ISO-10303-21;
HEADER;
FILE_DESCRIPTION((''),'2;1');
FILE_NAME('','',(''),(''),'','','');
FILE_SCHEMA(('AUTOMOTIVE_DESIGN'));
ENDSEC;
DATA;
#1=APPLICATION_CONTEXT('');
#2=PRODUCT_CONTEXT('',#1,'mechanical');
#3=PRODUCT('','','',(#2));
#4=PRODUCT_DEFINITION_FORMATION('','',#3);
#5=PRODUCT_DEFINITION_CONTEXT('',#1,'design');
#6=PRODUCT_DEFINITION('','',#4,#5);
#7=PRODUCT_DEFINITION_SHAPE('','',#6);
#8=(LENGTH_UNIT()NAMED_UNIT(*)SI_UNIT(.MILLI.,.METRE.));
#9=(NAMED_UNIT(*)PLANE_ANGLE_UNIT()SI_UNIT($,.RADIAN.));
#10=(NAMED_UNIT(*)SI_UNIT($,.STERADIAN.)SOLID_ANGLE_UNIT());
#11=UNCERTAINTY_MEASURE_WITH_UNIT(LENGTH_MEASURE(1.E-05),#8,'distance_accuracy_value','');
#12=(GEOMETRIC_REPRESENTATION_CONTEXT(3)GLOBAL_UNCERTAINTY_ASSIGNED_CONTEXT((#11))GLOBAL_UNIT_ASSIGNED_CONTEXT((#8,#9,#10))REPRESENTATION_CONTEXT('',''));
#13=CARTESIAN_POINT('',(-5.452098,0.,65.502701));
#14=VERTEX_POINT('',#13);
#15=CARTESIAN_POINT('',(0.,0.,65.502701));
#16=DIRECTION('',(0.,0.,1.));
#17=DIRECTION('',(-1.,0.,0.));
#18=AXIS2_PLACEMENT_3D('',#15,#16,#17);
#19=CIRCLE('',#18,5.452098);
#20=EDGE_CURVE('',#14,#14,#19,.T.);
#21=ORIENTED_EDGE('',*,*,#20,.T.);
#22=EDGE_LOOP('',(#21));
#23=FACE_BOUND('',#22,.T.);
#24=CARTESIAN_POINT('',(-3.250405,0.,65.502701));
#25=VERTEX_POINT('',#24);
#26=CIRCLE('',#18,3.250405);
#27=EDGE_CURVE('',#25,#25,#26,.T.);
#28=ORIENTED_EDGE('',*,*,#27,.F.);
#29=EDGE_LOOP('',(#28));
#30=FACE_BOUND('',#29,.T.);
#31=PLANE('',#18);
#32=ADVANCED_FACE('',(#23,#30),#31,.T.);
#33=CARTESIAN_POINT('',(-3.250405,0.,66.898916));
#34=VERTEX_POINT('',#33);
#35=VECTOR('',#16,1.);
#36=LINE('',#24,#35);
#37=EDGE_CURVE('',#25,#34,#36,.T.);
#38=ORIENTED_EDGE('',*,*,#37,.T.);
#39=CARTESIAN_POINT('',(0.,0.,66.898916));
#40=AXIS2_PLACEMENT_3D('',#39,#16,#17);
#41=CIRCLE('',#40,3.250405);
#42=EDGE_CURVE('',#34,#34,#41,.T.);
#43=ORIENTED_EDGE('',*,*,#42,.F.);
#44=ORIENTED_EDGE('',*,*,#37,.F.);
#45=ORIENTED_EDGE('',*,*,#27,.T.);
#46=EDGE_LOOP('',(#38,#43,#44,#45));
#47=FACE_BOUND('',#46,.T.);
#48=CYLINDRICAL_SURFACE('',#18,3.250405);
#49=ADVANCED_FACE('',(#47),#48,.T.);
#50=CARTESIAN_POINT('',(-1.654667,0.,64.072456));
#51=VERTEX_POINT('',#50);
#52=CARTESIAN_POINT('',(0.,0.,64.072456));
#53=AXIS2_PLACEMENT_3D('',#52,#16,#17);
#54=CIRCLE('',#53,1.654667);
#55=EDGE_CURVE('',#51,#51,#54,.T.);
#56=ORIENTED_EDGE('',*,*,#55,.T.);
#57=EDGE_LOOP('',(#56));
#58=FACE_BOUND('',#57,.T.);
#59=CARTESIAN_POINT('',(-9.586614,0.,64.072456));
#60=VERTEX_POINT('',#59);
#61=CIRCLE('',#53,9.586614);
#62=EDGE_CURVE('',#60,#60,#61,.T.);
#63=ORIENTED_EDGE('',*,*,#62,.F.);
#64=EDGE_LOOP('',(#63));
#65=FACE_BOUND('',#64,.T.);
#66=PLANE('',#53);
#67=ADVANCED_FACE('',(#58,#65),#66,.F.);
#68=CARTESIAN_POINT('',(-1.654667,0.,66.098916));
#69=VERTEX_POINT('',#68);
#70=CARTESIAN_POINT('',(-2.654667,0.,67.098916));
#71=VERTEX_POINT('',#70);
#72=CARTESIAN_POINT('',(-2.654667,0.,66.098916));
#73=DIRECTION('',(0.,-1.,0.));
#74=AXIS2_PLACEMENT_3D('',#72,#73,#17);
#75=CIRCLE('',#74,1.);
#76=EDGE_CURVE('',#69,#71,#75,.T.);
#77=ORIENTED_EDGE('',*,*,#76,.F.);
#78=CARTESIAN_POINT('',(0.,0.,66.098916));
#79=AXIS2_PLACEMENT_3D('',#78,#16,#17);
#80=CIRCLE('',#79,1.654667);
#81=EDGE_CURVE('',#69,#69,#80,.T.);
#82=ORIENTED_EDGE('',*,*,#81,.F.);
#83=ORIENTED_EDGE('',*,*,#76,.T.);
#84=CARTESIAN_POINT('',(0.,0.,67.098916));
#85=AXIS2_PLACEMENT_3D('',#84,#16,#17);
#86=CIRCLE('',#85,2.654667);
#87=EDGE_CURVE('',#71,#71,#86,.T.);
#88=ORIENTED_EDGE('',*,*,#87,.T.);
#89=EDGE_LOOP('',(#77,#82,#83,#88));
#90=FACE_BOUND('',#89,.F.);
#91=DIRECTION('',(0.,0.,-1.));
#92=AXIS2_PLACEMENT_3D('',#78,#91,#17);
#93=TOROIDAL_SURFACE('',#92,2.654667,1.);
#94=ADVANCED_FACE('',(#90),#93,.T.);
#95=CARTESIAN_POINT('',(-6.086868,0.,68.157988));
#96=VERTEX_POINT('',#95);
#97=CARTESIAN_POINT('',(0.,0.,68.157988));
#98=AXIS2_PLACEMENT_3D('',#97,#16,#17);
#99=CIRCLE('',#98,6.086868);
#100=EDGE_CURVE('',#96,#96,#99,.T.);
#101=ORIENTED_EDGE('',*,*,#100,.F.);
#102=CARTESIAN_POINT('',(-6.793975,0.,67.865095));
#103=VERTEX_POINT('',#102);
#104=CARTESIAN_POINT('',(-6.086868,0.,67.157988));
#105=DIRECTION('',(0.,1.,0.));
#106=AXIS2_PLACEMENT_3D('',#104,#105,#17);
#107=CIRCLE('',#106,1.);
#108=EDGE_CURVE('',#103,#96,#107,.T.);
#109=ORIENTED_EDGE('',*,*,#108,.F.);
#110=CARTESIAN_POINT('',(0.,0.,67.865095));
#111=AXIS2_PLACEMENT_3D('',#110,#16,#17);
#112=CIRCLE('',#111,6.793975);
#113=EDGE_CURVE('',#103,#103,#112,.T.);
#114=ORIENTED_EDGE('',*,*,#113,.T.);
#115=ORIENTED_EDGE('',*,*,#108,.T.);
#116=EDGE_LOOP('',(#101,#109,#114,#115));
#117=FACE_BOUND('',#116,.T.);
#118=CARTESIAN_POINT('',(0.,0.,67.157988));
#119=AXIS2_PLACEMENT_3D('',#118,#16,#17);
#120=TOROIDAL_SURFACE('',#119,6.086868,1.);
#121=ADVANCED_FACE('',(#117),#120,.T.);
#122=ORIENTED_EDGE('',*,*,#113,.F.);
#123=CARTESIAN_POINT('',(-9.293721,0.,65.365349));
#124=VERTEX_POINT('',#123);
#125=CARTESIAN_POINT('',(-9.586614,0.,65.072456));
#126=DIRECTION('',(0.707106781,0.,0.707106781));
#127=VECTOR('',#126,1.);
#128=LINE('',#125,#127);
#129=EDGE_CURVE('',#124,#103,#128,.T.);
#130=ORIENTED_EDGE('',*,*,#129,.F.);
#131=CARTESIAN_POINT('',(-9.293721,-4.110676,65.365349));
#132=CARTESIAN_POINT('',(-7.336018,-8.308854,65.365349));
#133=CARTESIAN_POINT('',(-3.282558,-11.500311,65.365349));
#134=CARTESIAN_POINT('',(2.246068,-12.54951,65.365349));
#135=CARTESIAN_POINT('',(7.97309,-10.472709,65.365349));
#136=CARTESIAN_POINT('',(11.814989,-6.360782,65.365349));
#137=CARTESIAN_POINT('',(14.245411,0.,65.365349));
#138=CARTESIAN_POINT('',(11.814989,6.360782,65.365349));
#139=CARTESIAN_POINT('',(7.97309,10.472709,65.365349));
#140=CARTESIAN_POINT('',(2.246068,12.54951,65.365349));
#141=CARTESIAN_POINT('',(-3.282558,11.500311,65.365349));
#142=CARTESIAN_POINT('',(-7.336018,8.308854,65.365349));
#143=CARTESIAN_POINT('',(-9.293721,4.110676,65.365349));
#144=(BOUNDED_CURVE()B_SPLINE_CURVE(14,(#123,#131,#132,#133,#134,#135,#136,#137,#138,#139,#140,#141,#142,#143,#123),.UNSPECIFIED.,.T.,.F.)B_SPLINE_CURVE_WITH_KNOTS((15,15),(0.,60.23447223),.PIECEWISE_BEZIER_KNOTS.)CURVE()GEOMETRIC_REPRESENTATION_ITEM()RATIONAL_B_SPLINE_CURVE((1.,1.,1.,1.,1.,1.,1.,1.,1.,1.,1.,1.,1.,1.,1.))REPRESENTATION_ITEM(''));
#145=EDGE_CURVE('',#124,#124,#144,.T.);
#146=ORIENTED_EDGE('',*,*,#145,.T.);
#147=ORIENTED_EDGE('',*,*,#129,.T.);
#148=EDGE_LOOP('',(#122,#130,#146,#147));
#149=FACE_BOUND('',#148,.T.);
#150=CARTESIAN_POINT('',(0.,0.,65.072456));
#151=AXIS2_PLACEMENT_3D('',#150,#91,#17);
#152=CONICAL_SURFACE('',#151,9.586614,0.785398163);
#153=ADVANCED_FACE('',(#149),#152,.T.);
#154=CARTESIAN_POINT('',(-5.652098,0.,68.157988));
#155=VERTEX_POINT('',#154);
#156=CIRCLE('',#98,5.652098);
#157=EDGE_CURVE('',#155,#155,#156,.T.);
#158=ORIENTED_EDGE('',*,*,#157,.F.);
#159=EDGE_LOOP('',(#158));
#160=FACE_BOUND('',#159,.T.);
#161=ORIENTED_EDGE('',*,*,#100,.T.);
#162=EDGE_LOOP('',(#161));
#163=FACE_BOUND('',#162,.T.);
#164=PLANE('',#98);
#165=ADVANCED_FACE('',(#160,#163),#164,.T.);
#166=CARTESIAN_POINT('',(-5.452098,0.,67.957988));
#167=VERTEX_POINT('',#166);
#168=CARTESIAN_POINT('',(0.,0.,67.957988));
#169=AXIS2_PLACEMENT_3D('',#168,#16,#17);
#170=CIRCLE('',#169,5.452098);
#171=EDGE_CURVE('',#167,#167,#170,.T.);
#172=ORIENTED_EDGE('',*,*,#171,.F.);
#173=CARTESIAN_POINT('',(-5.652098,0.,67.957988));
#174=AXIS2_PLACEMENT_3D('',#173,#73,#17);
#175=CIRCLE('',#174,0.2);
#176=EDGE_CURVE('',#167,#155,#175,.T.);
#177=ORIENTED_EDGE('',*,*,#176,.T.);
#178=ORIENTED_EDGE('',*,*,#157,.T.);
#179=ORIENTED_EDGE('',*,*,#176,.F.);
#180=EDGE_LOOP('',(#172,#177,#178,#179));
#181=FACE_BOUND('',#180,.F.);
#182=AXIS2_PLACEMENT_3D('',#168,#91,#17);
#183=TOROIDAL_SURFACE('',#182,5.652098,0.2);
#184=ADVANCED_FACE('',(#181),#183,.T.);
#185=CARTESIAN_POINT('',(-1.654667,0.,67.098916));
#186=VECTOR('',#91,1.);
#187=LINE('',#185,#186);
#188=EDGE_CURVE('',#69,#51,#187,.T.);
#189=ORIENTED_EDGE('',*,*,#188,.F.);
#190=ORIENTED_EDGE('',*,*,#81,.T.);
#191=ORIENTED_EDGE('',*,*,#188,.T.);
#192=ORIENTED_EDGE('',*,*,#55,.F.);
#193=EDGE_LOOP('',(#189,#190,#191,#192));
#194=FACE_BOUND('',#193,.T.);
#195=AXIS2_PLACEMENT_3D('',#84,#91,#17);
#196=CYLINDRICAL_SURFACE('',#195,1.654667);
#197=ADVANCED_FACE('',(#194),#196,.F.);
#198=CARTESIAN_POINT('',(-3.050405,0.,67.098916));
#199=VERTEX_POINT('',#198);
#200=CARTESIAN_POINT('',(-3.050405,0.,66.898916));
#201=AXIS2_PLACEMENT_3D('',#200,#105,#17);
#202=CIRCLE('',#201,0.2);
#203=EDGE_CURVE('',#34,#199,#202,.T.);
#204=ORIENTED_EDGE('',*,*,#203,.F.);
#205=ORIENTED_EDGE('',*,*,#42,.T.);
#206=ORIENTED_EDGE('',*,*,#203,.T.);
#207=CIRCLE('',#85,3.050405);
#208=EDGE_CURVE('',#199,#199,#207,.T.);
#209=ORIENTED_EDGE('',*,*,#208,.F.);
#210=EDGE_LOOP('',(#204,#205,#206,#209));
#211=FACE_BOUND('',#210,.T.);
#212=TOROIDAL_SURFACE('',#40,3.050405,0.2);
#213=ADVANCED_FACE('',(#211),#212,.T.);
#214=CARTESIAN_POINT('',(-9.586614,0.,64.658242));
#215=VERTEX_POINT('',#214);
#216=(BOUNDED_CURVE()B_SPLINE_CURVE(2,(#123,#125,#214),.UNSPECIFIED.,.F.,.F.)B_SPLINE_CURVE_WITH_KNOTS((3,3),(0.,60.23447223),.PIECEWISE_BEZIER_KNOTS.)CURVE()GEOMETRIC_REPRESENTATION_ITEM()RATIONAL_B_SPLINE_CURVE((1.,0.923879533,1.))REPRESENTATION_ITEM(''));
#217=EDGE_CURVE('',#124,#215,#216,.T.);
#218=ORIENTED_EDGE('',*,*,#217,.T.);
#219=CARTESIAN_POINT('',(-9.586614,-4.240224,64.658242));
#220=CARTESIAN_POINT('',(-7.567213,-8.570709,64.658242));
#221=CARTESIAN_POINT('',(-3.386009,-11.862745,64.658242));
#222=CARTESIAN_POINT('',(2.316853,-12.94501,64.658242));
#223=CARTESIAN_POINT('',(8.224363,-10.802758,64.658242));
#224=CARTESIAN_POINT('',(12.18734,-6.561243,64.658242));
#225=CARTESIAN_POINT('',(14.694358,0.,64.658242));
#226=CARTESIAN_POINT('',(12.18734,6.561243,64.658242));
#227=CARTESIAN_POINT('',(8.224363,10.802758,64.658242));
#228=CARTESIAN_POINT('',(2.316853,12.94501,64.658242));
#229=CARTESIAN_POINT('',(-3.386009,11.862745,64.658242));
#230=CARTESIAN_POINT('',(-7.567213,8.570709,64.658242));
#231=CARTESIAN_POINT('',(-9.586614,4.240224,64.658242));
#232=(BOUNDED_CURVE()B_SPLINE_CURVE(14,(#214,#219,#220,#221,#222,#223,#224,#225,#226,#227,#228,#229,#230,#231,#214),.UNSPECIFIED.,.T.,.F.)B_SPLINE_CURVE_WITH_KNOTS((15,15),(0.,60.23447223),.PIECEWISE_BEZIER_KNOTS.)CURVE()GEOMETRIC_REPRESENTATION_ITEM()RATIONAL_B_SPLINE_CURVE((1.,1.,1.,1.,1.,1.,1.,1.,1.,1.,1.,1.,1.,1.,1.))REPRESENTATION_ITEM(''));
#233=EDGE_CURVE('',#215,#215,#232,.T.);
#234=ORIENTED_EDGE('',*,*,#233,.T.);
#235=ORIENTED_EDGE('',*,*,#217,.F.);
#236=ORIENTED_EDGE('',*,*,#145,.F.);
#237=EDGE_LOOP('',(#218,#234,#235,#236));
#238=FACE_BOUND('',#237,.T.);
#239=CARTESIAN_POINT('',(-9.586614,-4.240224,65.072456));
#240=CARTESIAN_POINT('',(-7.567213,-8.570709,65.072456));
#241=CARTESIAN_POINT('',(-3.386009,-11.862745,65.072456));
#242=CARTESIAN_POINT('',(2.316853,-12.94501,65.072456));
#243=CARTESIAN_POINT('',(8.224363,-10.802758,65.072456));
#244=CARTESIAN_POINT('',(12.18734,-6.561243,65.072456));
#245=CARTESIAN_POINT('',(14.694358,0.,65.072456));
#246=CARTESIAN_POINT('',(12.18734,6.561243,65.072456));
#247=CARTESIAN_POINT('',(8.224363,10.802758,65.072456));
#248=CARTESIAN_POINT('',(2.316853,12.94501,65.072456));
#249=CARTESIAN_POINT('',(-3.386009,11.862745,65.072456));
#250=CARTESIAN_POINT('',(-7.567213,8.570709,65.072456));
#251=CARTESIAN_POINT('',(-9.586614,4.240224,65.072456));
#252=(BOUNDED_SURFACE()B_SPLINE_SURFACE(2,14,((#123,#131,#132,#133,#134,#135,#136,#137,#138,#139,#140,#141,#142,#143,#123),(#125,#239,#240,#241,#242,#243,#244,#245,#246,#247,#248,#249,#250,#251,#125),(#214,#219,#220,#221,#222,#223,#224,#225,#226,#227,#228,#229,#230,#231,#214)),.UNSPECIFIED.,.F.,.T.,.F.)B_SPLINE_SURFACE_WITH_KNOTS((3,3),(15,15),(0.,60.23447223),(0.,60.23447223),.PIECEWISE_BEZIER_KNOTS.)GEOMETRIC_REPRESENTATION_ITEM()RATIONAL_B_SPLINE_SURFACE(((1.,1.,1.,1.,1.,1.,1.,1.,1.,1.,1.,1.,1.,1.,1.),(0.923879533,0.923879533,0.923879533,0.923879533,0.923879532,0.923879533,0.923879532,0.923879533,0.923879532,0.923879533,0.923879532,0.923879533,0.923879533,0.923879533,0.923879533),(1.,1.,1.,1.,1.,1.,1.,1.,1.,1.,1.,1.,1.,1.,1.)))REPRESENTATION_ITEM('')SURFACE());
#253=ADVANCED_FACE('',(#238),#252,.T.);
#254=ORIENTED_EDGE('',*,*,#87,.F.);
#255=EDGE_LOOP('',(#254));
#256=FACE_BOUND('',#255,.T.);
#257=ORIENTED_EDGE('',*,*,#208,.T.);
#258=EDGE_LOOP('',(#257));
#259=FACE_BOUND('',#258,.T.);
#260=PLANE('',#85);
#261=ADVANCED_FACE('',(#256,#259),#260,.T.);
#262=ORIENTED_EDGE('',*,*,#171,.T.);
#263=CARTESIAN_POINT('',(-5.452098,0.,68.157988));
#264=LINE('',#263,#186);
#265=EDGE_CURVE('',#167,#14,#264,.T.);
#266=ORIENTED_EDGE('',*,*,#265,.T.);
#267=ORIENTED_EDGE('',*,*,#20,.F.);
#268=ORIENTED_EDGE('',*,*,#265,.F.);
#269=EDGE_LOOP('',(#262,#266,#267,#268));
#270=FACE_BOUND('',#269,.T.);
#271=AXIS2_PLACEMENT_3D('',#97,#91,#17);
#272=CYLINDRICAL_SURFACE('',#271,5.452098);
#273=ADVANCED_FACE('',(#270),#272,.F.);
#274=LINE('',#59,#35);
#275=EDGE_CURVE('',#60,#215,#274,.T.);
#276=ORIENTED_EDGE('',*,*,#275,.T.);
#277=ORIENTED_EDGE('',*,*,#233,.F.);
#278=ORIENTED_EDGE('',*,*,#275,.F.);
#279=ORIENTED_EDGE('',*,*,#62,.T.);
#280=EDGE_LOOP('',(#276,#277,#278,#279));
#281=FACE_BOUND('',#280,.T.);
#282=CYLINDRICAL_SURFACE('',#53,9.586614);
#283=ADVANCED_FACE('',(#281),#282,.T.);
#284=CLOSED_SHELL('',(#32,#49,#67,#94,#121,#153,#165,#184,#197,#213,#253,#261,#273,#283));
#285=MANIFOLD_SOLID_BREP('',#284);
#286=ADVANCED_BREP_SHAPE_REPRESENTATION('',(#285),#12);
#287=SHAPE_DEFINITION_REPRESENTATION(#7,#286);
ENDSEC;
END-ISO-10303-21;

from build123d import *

# Parameters (mm, degrees)
FILLET005_R = 1
FILLET006_R = 1
FILLET007_R = 1
FILLET008_R = 0.2
FILLET009_R = 0.2


with BuildPart() as part:
    # Sketch006 → Revolution003 (revolve)
    with BuildSketch(Plane.XZ):
        Polygon((-1.654667, 64.072456), (-9.586614, 64.072456), (-9.586614, 65.072456), (-6.501082, 68.157988), (-5.452098, 68.157988), (-5.452098, 65.502701), (-3.250405, 65.502701), (-3.250405, 67.098916), (-1.654667, 67.098916), align=None)
    revolve(axis=Axis((0, 0, 0), (0, 0, 1)))

    # Fillet005
    fillet005_edges = [part.edges().sort_by_distance(p)[0] for p in [
        (6.501082, 0, 68.157988),
    ]]
    fillet(fillet005_edges, radius=FILLET005_R)

    # Fillet006
    fillet006_edges = [part.edges().sort_by_distance(p)[0] for p in [
        (9.586614, 0, 65.072456),
    ]]
    fillet(fillet006_edges, radius=FILLET006_R)

    # Fillet007
    fillet007_edges = [part.edges().sort_by_distance(p)[0] for p in [
        (1.654667, 0, 67.098916),
    ]]
    fillet(fillet007_edges, radius=FILLET007_R)

    # Fillet008
    fillet008_edges = [part.edges().sort_by_distance(p)[0] for p in [
        (5.452098, 0, 68.157988),
    ]]
    fillet(fillet008_edges, radius=FILLET008_R)

    # Fillet009
    fillet009_edges = [part.edges().sort_by_distance(p)[0] for p in [
        (3.250405, 0, 67.098916),
    ]]
    fillet(fillet009_edges, radius=FILLET009_R)


solid = part.part
